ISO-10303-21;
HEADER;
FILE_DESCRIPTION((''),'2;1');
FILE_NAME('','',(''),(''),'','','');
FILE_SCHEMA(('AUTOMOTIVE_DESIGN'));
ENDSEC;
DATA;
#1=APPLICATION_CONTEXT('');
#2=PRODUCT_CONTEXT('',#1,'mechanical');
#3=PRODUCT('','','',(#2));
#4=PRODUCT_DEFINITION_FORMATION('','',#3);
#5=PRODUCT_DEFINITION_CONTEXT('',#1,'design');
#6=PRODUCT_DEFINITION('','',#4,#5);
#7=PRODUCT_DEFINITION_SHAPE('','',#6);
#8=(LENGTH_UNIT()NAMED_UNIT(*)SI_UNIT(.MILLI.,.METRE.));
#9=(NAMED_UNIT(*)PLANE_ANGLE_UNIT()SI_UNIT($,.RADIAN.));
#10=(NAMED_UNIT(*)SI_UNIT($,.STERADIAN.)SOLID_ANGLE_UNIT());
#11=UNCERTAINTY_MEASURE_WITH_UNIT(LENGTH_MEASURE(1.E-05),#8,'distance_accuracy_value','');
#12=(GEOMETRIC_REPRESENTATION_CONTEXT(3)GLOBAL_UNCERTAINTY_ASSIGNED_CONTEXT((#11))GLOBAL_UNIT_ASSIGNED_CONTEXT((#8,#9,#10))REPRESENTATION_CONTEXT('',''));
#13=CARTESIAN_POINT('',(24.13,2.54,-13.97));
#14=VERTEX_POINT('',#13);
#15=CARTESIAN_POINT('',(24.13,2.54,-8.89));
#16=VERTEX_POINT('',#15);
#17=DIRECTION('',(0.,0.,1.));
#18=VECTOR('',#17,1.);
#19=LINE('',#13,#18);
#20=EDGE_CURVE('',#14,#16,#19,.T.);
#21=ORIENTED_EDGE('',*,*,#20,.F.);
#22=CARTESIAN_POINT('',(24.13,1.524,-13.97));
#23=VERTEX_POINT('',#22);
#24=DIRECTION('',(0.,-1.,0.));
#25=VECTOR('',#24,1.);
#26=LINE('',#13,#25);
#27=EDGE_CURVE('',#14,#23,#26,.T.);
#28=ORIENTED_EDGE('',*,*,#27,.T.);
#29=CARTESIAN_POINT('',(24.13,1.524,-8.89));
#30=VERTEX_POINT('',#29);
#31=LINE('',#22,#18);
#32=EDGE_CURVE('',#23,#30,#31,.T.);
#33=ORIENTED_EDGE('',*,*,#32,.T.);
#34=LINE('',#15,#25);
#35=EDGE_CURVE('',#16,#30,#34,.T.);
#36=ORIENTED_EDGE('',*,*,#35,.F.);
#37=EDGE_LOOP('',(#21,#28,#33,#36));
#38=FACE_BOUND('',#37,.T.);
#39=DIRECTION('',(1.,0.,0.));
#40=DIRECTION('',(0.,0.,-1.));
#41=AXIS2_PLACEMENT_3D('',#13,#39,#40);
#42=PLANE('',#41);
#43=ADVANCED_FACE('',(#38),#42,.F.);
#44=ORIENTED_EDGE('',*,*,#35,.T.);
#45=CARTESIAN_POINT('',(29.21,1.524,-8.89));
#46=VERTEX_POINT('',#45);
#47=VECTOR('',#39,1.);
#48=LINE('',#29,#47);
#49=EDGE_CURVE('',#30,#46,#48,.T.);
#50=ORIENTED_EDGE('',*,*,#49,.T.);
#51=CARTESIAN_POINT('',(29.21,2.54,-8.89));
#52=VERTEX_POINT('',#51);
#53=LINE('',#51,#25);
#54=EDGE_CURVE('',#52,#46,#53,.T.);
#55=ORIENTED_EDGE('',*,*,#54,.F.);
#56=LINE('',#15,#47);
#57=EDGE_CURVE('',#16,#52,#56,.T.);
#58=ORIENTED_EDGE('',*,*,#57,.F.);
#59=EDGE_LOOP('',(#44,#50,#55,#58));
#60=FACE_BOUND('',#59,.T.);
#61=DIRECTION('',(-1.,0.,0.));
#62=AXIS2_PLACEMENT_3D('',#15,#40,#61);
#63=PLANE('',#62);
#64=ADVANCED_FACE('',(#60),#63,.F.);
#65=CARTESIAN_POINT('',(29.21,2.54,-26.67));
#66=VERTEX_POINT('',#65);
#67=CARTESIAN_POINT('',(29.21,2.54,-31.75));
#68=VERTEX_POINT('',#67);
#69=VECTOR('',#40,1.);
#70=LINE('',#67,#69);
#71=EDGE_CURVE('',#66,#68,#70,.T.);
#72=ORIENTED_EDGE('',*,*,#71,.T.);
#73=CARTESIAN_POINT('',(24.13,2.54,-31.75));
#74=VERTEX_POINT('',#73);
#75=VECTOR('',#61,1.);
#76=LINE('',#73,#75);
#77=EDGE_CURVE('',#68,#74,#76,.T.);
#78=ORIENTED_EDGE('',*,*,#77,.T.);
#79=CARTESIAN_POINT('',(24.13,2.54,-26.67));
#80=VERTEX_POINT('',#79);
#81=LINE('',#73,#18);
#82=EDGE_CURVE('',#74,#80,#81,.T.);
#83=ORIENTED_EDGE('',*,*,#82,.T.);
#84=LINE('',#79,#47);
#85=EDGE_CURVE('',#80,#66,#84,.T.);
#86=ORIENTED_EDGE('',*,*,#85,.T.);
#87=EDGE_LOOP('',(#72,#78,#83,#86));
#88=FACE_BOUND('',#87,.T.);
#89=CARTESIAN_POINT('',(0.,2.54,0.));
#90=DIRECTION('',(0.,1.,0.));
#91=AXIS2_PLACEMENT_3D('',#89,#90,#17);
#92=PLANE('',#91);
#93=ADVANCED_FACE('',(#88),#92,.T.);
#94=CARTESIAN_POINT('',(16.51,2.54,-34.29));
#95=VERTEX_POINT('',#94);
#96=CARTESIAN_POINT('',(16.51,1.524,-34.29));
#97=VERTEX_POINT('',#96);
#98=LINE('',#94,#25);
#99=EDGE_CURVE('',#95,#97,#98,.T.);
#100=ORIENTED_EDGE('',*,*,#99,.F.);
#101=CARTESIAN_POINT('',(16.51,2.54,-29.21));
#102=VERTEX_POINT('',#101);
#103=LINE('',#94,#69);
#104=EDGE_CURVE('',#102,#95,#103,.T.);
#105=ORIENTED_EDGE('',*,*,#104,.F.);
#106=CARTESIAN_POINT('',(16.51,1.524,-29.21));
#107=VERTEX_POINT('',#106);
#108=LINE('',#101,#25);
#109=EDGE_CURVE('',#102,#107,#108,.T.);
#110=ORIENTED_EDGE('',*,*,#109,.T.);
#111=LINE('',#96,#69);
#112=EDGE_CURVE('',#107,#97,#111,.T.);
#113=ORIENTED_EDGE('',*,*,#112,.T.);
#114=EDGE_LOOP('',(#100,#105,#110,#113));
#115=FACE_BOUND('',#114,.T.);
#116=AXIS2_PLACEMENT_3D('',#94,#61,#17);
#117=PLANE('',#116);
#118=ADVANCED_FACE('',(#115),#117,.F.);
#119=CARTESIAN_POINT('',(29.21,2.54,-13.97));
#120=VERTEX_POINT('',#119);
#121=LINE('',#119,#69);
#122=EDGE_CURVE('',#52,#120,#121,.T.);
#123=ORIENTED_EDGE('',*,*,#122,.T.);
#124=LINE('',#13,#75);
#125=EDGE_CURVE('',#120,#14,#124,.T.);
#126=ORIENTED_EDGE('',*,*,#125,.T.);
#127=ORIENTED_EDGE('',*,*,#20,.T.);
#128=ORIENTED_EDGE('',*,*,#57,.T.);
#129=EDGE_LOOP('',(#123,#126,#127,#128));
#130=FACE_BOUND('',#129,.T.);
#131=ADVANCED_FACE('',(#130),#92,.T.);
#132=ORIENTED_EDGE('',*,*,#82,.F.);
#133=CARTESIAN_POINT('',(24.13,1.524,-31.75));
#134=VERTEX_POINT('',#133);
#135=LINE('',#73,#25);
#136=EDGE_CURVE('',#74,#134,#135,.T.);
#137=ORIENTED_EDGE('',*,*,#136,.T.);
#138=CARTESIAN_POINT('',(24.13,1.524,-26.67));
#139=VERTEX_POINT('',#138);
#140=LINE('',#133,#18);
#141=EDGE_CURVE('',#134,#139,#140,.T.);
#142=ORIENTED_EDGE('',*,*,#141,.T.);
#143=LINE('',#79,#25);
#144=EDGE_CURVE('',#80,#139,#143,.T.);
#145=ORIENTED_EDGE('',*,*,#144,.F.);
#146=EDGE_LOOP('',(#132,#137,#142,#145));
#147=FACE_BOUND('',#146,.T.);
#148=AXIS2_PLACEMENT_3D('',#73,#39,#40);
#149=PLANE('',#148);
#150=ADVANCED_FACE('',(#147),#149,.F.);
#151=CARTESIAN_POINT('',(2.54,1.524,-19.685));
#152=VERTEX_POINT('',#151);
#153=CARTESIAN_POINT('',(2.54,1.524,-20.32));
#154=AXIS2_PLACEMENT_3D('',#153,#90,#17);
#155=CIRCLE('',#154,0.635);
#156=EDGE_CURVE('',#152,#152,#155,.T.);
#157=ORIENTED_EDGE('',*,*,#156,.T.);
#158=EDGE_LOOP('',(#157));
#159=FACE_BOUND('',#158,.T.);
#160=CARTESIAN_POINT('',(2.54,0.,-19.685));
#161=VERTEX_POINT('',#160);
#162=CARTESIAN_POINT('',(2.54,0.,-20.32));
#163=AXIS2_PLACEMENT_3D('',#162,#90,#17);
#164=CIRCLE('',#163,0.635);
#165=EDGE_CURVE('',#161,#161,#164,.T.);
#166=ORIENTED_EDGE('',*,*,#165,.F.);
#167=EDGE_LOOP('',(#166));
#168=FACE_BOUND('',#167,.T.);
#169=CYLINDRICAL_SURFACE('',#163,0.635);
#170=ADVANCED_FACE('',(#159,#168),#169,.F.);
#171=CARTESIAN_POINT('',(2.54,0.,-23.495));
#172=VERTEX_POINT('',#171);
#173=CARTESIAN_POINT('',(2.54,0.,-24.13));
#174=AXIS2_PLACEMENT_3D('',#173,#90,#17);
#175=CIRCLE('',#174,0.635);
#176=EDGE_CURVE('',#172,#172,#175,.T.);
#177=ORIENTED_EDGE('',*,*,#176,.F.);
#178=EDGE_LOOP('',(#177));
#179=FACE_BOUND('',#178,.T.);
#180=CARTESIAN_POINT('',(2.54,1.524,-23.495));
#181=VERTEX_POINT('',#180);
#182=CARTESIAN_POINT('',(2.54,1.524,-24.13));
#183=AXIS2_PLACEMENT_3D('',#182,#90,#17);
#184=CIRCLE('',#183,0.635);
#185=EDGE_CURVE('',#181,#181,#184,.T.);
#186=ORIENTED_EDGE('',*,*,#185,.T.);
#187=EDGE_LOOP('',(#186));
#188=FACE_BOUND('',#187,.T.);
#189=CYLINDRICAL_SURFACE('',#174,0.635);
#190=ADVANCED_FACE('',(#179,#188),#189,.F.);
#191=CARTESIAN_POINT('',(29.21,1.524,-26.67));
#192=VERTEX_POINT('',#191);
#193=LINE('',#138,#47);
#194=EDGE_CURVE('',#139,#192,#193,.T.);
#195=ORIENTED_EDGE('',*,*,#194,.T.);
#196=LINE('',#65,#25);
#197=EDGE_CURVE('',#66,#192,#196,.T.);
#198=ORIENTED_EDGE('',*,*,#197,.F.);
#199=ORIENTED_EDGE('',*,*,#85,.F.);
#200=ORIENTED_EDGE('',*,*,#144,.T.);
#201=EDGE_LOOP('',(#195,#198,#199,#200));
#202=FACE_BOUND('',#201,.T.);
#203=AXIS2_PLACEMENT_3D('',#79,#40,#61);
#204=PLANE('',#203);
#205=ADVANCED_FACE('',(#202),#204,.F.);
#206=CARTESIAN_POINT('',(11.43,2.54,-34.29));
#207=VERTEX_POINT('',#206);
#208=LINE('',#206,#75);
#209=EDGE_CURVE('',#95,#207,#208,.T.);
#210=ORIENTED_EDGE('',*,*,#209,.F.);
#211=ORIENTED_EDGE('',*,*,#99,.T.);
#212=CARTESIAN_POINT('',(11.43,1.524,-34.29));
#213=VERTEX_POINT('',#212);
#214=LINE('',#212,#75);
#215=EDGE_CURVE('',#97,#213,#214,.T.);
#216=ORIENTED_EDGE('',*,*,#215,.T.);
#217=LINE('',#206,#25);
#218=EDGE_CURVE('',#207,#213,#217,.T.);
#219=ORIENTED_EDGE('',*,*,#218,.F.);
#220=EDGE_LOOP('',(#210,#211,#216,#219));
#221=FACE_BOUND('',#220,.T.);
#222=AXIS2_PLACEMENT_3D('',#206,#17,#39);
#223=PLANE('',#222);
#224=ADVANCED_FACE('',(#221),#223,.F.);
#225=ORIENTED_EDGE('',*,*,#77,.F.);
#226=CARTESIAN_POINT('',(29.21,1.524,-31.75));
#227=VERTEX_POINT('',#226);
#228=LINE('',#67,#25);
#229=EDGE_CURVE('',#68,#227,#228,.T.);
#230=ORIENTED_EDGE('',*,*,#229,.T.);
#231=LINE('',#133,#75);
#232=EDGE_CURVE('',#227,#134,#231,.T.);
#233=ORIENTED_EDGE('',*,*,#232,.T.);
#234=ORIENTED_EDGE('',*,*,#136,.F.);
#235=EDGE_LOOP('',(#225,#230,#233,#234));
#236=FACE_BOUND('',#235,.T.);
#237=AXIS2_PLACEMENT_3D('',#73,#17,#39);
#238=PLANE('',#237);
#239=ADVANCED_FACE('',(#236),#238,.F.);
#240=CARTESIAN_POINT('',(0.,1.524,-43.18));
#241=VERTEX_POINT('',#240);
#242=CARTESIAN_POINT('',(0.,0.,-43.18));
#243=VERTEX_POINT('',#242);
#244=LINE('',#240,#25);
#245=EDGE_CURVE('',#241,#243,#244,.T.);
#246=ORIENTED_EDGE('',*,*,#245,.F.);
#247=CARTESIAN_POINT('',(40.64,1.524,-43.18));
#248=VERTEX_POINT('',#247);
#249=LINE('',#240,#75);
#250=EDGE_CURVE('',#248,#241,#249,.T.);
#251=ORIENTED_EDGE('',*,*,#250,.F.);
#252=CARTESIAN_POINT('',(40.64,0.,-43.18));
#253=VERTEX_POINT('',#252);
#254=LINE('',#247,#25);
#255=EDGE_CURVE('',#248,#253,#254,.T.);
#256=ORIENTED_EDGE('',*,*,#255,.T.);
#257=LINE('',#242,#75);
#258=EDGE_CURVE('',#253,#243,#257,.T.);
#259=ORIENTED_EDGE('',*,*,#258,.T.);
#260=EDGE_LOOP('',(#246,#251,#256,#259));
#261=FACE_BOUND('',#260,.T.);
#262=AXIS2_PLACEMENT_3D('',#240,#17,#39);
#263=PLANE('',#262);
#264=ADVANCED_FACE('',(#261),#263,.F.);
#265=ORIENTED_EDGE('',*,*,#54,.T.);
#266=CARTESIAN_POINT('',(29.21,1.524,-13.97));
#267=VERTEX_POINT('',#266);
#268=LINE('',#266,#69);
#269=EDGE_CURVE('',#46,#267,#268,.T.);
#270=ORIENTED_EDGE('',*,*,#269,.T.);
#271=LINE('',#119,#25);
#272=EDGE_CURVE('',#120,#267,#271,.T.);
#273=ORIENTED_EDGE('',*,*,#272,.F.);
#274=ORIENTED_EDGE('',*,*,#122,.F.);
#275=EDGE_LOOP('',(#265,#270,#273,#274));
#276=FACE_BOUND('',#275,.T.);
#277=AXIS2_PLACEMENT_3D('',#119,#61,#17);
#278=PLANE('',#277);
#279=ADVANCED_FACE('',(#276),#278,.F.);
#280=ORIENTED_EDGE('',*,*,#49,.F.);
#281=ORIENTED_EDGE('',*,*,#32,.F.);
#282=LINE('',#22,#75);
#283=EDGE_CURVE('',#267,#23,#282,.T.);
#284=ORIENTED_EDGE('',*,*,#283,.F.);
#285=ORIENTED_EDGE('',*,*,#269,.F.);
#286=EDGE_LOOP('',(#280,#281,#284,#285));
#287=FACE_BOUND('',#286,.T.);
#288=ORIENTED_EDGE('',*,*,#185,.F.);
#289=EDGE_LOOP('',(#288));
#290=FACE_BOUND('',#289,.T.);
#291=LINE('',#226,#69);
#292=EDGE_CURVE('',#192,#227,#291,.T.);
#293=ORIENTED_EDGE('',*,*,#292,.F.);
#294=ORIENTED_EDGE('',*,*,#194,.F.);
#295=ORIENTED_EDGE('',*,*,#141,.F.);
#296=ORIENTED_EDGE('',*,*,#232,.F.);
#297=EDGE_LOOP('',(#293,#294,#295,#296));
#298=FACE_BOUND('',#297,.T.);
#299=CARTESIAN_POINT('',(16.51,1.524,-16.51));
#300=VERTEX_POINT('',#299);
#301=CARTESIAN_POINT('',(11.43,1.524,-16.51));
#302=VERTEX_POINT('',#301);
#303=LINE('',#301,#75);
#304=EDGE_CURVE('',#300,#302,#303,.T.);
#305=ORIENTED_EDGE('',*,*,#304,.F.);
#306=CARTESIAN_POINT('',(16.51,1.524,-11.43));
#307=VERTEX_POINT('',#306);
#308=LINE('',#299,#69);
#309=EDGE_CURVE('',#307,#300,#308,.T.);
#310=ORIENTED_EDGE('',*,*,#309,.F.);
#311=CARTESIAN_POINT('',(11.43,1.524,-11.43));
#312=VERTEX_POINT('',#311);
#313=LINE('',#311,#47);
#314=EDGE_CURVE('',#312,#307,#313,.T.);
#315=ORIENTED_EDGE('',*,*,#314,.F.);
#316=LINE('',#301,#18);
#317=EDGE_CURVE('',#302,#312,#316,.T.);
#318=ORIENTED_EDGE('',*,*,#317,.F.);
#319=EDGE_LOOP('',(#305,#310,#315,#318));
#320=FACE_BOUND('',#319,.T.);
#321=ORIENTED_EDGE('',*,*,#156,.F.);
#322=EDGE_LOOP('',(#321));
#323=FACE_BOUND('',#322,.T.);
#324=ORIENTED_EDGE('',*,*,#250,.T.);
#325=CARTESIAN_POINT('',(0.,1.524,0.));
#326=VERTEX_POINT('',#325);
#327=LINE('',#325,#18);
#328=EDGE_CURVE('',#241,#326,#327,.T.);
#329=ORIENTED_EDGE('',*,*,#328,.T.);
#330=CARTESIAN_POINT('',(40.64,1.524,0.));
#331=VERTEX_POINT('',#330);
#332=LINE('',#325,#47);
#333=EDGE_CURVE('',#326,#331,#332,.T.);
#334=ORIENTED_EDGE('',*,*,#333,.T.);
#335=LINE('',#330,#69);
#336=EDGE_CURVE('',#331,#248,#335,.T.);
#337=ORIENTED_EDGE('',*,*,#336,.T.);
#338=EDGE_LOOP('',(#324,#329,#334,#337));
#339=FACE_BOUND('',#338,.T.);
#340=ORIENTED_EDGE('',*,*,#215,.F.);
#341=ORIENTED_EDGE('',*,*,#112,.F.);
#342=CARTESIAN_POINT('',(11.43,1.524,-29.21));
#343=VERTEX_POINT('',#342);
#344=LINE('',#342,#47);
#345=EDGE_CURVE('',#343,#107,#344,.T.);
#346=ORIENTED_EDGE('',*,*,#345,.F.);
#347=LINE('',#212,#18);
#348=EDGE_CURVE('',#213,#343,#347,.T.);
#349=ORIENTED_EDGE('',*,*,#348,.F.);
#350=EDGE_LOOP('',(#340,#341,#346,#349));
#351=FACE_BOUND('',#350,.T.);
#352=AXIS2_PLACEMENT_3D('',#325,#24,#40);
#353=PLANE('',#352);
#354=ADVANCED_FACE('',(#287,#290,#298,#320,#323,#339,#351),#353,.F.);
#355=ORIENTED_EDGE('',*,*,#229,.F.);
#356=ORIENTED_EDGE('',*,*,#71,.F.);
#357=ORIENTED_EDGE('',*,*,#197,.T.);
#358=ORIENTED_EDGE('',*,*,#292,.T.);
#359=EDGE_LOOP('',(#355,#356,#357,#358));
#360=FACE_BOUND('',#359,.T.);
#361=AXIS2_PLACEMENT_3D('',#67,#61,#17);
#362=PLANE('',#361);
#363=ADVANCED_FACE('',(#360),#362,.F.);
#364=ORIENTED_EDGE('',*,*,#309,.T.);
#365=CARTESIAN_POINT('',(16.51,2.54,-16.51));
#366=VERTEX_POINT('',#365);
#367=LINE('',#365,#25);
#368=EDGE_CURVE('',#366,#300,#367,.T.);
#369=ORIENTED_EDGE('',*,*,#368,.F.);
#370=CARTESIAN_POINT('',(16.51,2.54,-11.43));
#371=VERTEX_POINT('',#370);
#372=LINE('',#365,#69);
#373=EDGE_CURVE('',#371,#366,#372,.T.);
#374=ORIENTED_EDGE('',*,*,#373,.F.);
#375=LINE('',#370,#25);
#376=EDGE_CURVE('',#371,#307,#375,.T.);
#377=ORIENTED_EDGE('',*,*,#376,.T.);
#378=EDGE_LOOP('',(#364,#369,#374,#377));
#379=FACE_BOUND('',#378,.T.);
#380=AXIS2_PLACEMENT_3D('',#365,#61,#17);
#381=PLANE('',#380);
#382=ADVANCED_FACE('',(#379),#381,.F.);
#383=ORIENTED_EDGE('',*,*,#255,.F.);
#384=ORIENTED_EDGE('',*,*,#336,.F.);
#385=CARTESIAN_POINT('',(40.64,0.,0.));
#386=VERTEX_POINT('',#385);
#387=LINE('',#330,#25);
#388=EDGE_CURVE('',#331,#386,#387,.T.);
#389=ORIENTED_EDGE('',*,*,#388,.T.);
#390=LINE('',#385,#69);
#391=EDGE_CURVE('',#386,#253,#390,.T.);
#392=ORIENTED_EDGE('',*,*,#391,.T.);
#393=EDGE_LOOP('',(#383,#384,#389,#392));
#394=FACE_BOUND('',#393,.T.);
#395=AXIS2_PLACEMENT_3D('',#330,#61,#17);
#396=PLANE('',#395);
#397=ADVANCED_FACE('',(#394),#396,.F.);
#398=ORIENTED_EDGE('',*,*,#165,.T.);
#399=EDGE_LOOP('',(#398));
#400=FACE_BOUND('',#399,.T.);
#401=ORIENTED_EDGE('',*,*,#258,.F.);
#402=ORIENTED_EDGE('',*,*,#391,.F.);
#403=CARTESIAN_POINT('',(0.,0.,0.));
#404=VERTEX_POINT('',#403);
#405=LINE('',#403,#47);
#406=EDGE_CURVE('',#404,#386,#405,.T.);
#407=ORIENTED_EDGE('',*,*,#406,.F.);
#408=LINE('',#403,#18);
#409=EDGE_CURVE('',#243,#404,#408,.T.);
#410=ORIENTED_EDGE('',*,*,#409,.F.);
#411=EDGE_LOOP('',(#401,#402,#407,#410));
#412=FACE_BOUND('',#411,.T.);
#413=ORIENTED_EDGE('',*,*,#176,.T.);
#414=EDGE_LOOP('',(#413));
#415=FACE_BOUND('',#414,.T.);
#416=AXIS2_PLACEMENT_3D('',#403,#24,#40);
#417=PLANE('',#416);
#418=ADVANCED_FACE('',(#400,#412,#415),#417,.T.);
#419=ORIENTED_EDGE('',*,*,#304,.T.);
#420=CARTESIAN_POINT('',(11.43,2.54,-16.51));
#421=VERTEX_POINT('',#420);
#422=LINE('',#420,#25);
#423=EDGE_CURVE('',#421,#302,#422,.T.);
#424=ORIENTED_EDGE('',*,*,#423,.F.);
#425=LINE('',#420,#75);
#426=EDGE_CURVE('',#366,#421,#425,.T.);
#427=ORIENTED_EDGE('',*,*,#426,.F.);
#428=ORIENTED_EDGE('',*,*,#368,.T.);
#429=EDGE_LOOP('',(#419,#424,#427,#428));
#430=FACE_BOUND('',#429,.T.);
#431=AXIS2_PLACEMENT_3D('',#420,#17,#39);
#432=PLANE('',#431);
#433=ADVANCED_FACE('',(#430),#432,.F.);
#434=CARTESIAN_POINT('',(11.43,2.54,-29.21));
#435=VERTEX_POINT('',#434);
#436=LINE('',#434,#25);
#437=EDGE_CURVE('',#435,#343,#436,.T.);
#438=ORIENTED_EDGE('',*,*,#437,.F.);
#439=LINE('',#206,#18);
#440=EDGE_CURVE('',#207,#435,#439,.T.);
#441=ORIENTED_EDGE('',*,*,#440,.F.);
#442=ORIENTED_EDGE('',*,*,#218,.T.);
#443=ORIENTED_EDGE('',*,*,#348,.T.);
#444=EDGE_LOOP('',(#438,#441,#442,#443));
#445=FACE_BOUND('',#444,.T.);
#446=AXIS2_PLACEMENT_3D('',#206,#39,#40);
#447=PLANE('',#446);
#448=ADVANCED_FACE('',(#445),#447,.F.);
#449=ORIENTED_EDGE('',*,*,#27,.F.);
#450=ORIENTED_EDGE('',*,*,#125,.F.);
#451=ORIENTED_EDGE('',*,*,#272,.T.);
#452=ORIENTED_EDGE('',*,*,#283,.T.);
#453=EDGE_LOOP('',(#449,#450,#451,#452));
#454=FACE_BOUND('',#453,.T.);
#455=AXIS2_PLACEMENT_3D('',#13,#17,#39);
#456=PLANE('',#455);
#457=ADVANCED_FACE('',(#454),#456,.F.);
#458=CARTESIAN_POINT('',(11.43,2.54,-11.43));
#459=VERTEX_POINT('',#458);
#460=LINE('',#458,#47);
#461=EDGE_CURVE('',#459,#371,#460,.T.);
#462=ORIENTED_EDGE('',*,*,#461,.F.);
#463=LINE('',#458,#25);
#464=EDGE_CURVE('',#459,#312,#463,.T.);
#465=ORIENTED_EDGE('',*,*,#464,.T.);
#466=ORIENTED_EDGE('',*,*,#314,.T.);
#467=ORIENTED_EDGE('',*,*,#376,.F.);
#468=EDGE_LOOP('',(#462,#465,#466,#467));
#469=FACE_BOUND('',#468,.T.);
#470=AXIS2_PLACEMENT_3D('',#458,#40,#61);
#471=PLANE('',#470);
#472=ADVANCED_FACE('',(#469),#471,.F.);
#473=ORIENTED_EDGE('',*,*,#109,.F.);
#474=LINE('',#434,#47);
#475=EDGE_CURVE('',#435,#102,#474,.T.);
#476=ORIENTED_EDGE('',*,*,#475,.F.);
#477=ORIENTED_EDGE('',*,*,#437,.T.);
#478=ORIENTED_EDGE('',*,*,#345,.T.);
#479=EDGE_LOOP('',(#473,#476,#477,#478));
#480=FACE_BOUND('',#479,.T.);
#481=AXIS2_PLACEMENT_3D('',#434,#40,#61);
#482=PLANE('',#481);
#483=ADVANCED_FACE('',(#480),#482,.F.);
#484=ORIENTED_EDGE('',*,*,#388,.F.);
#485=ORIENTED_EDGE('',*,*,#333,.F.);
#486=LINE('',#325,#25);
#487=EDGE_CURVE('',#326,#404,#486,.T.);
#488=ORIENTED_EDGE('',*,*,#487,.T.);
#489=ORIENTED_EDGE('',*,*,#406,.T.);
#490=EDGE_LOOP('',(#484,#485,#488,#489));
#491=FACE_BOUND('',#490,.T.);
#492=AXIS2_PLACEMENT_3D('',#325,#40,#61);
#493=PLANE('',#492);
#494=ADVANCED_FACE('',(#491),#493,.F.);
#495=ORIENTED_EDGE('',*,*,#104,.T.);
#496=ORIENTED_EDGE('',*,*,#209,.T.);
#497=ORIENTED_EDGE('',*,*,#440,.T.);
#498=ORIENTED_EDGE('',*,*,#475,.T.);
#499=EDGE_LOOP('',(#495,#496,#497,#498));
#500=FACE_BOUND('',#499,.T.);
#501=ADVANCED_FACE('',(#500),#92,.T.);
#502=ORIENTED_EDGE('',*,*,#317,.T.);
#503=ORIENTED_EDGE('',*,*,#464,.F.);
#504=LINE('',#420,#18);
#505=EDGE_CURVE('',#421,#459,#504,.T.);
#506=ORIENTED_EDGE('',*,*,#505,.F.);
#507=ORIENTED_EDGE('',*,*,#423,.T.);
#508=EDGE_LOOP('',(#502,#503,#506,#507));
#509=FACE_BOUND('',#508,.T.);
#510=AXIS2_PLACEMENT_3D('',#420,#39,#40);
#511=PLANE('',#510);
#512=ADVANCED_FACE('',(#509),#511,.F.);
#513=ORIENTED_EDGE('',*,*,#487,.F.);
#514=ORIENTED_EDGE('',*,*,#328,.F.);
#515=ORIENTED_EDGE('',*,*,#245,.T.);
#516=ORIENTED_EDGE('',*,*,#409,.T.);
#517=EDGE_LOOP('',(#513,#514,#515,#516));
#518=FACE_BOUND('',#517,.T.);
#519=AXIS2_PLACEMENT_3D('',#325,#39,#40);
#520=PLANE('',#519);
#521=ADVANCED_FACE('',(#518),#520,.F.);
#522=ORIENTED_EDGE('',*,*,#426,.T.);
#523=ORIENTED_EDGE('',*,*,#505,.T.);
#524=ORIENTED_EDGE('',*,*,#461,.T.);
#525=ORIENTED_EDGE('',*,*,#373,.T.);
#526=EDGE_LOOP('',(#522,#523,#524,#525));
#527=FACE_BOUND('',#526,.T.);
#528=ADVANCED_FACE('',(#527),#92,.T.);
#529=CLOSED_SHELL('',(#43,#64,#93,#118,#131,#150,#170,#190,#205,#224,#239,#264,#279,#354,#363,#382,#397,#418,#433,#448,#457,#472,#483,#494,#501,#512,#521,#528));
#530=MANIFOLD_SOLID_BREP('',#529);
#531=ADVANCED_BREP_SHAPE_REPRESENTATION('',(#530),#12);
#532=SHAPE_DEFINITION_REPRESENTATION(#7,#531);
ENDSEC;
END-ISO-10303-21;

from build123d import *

# Parameters (mm, degrees)
SKETCH2_W           = 40.64
SKETCH2_H           = 43.18
BOSS_EXTRUDE1_DEPTH = 1.524
SKETCH3_R           = 0.635
CUT_EXTRUDE1_DEPTH  = 60.316478115
SKETCH4_W           = 5.08
SKETCH4_H           = 5.08
BOSS_EXTRUDE2_DEPTH = 1.016


with BuildPart() as part:
    # Sketch2 → Boss-Extrude1 (new body)
    with BuildSketch(Plane(origin=(0, 0, 0), x_dir=(1, 0, 0), z_dir=(0, 1, 0))):
        with Locations((20.32, 21.59)):
            Rectangle(SKETCH2_W, SKETCH2_H)
    extrude(amount=BOSS_EXTRUDE1_DEPTH)

    # Sketch3 → Cut-Extrude1 (cut, through all)
    with BuildSketch(Plane(origin=(0, 1.524, 0), x_dir=(1, 0, 0), z_dir=(0, 1, 0))):
        with Locations(Location((2.54, 24.13, 0), (0, 0, 270))):
            Circle(SKETCH3_R)
        with Locations(Location((2.54, 20.32, 0), (0, 0, 270))):
            Circle(SKETCH3_R)
    extrude(amount=-CUT_EXTRUDE1_DEPTH, mode=Mode.SUBTRACT)

    # Sketch4 → Boss-Extrude2 (add)
    with BuildSketch(Plane(origin=(0, 1.524, 0), x_dir=(1, 0, 0), z_dir=(0, 1, 0))):
        with Locations((13.97, 31.75)):
            Rectangle(SKETCH4_W, SKETCH4_H)
        with Locations((26.67, 29.21)):
            Rectangle(SKETCH4_W, SKETCH4_H)
        with Locations((13.97, 13.97)):
            Rectangle(SKETCH4_W, SKETCH4_H)
        with Locations((26.67, 11.43)):
            Rectangle(SKETCH4_W, SKETCH4_H)
    extrude(amount=BOSS_EXTRUDE2_DEPTH)


solid = part.part
